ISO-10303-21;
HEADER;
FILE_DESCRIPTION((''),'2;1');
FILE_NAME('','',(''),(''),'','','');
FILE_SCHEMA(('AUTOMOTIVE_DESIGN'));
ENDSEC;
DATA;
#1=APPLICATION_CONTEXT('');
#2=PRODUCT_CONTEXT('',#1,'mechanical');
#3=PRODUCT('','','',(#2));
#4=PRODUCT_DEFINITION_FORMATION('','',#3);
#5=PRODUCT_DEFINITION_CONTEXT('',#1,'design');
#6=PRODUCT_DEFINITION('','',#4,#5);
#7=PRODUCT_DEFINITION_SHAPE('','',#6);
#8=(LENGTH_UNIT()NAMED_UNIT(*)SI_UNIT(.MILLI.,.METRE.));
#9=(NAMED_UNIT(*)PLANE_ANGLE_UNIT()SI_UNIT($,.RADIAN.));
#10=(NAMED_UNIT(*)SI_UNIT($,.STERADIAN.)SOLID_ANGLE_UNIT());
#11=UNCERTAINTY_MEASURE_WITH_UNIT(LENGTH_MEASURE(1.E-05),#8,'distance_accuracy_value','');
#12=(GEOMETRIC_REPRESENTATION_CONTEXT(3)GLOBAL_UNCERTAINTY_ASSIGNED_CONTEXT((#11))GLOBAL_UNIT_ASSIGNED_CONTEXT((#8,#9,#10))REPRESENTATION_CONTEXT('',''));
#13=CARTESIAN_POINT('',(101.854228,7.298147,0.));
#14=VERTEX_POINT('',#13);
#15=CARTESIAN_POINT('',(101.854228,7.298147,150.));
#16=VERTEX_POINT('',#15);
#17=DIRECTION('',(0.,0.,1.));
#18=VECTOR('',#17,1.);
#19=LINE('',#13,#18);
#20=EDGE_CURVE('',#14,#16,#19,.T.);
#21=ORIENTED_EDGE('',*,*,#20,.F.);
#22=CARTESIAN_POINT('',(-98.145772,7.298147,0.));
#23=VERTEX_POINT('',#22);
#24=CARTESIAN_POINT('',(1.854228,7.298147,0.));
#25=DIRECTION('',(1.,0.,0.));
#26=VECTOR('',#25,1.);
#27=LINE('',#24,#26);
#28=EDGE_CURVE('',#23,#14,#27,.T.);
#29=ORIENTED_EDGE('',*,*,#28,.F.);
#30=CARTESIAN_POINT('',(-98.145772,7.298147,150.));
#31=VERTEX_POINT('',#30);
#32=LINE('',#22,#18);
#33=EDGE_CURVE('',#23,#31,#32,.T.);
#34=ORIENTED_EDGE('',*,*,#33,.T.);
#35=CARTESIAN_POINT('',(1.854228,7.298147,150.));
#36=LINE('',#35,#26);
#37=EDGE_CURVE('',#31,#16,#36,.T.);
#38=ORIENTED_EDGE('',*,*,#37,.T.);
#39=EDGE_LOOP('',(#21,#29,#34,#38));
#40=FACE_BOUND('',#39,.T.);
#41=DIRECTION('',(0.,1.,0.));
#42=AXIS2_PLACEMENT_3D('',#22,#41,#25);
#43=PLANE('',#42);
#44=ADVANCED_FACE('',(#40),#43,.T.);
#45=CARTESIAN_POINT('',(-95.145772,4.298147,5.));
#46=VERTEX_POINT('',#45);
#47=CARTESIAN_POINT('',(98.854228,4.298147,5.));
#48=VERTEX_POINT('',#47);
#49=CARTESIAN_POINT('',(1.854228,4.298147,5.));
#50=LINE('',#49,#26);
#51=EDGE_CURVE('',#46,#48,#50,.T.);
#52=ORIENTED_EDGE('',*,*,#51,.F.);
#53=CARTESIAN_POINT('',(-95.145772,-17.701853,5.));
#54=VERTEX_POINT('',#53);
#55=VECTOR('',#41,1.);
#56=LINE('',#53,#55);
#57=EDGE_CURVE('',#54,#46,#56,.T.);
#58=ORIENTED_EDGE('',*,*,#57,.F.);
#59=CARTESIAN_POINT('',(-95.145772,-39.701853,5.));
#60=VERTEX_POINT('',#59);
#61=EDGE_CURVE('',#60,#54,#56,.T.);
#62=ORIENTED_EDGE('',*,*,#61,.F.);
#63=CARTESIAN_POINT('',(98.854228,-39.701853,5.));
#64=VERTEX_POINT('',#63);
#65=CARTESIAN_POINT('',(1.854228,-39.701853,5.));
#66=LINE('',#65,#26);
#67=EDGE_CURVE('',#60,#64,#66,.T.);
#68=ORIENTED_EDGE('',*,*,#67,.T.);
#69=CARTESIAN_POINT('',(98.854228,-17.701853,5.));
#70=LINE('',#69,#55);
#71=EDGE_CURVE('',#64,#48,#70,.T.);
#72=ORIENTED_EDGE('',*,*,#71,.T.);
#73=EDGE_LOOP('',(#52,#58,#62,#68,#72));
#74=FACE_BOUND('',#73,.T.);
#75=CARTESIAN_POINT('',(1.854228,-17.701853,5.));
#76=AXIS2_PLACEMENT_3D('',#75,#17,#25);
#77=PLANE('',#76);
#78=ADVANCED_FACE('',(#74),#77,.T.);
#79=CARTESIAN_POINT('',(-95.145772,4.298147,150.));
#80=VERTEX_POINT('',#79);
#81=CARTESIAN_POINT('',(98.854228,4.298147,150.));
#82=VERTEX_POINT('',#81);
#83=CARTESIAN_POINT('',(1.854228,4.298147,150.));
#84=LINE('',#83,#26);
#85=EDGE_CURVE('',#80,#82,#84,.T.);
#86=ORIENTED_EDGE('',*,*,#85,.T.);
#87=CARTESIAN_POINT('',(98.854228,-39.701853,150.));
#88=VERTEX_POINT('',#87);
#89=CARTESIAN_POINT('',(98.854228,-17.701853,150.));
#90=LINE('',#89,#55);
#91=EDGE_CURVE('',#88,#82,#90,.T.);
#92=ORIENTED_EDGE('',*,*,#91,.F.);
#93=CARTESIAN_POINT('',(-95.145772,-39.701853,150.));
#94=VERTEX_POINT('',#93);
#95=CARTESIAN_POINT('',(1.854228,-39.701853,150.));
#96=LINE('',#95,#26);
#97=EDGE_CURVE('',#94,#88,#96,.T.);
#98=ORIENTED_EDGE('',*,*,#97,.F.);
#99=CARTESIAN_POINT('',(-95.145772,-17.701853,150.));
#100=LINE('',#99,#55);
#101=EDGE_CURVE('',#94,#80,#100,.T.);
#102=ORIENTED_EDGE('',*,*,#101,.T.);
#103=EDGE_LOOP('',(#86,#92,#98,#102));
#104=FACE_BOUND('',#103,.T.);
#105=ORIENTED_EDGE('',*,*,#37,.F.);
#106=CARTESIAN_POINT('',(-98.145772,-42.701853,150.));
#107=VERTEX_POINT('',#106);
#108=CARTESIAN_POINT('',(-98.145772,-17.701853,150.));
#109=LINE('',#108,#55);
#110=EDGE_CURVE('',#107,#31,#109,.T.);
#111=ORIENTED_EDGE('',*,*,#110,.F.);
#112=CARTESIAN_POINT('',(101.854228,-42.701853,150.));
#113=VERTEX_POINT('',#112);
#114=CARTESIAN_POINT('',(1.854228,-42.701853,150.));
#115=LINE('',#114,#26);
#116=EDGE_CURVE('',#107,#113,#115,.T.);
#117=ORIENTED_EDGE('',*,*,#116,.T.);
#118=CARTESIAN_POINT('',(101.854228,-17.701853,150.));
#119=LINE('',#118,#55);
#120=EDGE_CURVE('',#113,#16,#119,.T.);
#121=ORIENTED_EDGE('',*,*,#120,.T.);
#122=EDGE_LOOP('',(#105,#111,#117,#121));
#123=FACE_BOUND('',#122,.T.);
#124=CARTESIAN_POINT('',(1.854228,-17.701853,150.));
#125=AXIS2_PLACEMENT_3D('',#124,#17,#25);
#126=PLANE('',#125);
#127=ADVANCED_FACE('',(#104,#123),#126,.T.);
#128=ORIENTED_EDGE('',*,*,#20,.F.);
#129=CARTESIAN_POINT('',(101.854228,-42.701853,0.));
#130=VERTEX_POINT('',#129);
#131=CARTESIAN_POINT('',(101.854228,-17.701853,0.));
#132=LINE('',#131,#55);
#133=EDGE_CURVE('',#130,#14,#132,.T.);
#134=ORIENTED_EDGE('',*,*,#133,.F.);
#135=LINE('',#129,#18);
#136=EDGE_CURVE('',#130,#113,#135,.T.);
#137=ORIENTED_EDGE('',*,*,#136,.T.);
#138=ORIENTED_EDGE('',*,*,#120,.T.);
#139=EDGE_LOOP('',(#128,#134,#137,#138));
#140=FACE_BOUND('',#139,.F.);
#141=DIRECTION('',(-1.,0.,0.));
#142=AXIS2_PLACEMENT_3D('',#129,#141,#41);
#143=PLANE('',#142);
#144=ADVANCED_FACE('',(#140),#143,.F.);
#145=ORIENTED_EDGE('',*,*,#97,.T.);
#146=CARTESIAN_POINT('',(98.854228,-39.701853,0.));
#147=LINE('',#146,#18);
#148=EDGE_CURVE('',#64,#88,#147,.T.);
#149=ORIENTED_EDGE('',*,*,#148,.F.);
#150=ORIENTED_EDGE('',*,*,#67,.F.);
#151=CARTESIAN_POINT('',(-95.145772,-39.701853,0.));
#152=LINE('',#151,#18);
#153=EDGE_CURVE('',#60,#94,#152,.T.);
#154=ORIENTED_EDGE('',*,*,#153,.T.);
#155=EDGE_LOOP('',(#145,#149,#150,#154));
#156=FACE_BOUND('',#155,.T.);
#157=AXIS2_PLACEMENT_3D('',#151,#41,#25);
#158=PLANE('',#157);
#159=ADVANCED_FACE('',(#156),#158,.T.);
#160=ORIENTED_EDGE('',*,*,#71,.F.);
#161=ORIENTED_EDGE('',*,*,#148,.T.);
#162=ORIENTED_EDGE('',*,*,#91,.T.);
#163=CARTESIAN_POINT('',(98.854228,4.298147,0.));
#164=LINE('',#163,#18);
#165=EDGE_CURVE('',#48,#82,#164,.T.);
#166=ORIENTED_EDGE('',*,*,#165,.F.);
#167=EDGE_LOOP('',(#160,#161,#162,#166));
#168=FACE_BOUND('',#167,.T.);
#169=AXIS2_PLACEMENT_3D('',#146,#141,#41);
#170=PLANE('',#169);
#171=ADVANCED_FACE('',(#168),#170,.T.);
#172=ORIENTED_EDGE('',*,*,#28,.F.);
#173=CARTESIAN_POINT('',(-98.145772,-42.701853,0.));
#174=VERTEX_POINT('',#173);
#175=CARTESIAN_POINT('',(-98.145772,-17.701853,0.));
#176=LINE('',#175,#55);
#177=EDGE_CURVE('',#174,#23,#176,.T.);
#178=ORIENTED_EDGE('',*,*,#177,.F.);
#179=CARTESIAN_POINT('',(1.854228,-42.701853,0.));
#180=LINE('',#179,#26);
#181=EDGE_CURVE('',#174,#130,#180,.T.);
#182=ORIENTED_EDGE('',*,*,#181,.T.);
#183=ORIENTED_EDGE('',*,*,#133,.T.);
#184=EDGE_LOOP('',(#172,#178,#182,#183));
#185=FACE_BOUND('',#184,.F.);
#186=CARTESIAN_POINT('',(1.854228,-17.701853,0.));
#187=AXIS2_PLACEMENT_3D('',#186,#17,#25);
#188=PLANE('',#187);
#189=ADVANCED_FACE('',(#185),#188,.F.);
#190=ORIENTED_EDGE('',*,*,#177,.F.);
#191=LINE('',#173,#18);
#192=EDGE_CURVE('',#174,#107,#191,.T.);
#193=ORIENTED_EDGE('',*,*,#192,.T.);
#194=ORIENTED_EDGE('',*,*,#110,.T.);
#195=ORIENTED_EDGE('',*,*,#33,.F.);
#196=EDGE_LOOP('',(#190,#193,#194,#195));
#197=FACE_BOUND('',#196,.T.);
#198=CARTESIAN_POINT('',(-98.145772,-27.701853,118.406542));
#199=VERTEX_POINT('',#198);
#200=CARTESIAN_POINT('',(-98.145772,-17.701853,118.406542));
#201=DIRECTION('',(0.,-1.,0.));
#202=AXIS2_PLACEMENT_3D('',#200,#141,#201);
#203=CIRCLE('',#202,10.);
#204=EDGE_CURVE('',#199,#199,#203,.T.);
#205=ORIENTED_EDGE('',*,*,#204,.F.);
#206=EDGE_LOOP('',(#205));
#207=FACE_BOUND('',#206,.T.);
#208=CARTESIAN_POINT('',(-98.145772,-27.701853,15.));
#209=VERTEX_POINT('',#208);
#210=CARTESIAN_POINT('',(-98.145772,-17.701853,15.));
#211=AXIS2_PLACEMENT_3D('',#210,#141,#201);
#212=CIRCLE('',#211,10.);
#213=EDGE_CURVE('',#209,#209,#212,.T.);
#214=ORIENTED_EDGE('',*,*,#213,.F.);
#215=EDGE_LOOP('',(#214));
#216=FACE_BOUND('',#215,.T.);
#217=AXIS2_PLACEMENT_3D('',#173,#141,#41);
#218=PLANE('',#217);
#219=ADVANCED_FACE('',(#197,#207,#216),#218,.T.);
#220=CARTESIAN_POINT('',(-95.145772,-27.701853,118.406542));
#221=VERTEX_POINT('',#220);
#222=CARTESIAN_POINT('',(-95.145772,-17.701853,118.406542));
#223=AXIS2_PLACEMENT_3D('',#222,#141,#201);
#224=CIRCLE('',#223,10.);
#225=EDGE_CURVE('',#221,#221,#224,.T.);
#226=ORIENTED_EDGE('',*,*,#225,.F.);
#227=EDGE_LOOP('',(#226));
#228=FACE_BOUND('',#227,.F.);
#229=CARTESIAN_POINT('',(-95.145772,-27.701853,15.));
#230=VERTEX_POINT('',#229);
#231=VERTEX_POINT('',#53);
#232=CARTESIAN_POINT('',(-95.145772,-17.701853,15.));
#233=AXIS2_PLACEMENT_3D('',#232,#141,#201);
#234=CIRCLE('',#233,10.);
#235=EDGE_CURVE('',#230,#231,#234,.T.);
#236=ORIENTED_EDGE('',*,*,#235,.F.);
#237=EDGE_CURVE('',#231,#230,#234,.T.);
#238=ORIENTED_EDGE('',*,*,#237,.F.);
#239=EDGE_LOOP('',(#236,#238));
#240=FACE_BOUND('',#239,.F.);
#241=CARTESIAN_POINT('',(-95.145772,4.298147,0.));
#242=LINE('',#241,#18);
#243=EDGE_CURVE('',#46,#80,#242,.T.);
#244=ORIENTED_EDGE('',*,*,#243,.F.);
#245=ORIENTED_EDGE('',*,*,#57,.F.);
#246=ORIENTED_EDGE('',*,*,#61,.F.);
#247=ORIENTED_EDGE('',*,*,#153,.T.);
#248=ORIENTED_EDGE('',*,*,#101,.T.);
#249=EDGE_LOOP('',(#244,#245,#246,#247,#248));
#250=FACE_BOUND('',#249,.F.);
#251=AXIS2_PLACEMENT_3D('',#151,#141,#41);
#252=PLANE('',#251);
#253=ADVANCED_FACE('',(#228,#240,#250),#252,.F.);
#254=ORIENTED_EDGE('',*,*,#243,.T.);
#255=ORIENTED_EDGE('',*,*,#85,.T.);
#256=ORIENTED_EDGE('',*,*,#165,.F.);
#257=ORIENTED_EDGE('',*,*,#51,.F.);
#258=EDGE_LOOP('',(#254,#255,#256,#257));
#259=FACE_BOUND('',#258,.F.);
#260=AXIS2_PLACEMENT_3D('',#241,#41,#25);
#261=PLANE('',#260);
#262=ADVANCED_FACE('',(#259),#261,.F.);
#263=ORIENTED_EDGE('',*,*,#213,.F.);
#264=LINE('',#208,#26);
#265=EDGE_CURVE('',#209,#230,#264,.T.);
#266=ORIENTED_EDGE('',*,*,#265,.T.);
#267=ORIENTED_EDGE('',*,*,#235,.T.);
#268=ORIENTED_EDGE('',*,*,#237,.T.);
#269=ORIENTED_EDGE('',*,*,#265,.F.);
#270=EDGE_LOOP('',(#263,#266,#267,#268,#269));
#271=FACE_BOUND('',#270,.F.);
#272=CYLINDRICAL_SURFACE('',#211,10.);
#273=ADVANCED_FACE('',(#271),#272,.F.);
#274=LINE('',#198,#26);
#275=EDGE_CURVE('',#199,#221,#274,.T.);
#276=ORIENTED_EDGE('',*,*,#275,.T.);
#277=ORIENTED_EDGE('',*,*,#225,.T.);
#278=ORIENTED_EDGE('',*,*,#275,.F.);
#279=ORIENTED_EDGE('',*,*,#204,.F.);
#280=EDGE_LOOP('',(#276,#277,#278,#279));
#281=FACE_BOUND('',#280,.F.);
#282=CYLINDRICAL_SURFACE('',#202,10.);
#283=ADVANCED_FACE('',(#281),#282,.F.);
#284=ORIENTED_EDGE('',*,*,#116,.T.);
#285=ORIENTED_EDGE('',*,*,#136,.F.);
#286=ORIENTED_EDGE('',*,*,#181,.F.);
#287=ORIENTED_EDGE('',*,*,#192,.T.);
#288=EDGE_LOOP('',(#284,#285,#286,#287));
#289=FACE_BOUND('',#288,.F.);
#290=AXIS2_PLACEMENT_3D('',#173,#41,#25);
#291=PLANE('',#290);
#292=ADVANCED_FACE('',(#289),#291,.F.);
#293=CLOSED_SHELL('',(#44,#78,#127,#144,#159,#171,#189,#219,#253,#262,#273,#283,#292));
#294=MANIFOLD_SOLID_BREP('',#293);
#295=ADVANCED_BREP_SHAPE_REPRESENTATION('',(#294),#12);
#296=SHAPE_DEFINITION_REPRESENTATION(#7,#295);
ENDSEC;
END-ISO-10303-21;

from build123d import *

# Parameters (mm, degrees)
F0_W     = 200
F0_H     = 50
F0_W_2   = 194
F0_H_2   = 44
F1_DEPTH = 150
F2_DEPTH = 5
F3_R     = 10
F4_DEPTH = 25.4
F5_DEPTH = 25.4


with BuildPart() as f1:
    # F0 (on Top) → F1 (new body)
    with BuildSketch(Plane.XY):
        with Locations((1.854228, -17.701853)):
            Rectangle(F0_W, F0_H)
        with Locations((1.854228, -17.701853)):
            Rectangle(F0_W_2, F0_H_2, mode=Mode.SUBTRACT)
    extrude(amount=F1_DEPTH)

    # F0 (on Top) → F2 (join)
    with BuildSketch(Plane.XY):
        with Locations((1.854228, -17.701853)):
            Rectangle(F0_W_2, F0_H_2)
    extrude(amount=F2_DEPTH)

    # F3 (on face) → F4 (cut)
    with BuildSketch(Plane(origin=(-98.145772, 0, 0), x_dir=(0, -1, 0), z_dir=(-1, 0, 0))):
        with Locations((17.701853, 118.406542)):
            Circle(F3_R)
    extrude(amount=-F4_DEPTH, mode=Mode.SUBTRACT)

    # F3 (on face) → F5 (cut)
    with BuildSketch(Plane(origin=(-98.145772, 0, 0), x_dir=(0, -1, 0), z_dir=(-1, 0, 0))):
        with Locations((17.701853, 15)):
            Circle(F3_R)
    extrude(amount=-F5_DEPTH, mode=Mode.SUBTRACT)


solid = f1.part
